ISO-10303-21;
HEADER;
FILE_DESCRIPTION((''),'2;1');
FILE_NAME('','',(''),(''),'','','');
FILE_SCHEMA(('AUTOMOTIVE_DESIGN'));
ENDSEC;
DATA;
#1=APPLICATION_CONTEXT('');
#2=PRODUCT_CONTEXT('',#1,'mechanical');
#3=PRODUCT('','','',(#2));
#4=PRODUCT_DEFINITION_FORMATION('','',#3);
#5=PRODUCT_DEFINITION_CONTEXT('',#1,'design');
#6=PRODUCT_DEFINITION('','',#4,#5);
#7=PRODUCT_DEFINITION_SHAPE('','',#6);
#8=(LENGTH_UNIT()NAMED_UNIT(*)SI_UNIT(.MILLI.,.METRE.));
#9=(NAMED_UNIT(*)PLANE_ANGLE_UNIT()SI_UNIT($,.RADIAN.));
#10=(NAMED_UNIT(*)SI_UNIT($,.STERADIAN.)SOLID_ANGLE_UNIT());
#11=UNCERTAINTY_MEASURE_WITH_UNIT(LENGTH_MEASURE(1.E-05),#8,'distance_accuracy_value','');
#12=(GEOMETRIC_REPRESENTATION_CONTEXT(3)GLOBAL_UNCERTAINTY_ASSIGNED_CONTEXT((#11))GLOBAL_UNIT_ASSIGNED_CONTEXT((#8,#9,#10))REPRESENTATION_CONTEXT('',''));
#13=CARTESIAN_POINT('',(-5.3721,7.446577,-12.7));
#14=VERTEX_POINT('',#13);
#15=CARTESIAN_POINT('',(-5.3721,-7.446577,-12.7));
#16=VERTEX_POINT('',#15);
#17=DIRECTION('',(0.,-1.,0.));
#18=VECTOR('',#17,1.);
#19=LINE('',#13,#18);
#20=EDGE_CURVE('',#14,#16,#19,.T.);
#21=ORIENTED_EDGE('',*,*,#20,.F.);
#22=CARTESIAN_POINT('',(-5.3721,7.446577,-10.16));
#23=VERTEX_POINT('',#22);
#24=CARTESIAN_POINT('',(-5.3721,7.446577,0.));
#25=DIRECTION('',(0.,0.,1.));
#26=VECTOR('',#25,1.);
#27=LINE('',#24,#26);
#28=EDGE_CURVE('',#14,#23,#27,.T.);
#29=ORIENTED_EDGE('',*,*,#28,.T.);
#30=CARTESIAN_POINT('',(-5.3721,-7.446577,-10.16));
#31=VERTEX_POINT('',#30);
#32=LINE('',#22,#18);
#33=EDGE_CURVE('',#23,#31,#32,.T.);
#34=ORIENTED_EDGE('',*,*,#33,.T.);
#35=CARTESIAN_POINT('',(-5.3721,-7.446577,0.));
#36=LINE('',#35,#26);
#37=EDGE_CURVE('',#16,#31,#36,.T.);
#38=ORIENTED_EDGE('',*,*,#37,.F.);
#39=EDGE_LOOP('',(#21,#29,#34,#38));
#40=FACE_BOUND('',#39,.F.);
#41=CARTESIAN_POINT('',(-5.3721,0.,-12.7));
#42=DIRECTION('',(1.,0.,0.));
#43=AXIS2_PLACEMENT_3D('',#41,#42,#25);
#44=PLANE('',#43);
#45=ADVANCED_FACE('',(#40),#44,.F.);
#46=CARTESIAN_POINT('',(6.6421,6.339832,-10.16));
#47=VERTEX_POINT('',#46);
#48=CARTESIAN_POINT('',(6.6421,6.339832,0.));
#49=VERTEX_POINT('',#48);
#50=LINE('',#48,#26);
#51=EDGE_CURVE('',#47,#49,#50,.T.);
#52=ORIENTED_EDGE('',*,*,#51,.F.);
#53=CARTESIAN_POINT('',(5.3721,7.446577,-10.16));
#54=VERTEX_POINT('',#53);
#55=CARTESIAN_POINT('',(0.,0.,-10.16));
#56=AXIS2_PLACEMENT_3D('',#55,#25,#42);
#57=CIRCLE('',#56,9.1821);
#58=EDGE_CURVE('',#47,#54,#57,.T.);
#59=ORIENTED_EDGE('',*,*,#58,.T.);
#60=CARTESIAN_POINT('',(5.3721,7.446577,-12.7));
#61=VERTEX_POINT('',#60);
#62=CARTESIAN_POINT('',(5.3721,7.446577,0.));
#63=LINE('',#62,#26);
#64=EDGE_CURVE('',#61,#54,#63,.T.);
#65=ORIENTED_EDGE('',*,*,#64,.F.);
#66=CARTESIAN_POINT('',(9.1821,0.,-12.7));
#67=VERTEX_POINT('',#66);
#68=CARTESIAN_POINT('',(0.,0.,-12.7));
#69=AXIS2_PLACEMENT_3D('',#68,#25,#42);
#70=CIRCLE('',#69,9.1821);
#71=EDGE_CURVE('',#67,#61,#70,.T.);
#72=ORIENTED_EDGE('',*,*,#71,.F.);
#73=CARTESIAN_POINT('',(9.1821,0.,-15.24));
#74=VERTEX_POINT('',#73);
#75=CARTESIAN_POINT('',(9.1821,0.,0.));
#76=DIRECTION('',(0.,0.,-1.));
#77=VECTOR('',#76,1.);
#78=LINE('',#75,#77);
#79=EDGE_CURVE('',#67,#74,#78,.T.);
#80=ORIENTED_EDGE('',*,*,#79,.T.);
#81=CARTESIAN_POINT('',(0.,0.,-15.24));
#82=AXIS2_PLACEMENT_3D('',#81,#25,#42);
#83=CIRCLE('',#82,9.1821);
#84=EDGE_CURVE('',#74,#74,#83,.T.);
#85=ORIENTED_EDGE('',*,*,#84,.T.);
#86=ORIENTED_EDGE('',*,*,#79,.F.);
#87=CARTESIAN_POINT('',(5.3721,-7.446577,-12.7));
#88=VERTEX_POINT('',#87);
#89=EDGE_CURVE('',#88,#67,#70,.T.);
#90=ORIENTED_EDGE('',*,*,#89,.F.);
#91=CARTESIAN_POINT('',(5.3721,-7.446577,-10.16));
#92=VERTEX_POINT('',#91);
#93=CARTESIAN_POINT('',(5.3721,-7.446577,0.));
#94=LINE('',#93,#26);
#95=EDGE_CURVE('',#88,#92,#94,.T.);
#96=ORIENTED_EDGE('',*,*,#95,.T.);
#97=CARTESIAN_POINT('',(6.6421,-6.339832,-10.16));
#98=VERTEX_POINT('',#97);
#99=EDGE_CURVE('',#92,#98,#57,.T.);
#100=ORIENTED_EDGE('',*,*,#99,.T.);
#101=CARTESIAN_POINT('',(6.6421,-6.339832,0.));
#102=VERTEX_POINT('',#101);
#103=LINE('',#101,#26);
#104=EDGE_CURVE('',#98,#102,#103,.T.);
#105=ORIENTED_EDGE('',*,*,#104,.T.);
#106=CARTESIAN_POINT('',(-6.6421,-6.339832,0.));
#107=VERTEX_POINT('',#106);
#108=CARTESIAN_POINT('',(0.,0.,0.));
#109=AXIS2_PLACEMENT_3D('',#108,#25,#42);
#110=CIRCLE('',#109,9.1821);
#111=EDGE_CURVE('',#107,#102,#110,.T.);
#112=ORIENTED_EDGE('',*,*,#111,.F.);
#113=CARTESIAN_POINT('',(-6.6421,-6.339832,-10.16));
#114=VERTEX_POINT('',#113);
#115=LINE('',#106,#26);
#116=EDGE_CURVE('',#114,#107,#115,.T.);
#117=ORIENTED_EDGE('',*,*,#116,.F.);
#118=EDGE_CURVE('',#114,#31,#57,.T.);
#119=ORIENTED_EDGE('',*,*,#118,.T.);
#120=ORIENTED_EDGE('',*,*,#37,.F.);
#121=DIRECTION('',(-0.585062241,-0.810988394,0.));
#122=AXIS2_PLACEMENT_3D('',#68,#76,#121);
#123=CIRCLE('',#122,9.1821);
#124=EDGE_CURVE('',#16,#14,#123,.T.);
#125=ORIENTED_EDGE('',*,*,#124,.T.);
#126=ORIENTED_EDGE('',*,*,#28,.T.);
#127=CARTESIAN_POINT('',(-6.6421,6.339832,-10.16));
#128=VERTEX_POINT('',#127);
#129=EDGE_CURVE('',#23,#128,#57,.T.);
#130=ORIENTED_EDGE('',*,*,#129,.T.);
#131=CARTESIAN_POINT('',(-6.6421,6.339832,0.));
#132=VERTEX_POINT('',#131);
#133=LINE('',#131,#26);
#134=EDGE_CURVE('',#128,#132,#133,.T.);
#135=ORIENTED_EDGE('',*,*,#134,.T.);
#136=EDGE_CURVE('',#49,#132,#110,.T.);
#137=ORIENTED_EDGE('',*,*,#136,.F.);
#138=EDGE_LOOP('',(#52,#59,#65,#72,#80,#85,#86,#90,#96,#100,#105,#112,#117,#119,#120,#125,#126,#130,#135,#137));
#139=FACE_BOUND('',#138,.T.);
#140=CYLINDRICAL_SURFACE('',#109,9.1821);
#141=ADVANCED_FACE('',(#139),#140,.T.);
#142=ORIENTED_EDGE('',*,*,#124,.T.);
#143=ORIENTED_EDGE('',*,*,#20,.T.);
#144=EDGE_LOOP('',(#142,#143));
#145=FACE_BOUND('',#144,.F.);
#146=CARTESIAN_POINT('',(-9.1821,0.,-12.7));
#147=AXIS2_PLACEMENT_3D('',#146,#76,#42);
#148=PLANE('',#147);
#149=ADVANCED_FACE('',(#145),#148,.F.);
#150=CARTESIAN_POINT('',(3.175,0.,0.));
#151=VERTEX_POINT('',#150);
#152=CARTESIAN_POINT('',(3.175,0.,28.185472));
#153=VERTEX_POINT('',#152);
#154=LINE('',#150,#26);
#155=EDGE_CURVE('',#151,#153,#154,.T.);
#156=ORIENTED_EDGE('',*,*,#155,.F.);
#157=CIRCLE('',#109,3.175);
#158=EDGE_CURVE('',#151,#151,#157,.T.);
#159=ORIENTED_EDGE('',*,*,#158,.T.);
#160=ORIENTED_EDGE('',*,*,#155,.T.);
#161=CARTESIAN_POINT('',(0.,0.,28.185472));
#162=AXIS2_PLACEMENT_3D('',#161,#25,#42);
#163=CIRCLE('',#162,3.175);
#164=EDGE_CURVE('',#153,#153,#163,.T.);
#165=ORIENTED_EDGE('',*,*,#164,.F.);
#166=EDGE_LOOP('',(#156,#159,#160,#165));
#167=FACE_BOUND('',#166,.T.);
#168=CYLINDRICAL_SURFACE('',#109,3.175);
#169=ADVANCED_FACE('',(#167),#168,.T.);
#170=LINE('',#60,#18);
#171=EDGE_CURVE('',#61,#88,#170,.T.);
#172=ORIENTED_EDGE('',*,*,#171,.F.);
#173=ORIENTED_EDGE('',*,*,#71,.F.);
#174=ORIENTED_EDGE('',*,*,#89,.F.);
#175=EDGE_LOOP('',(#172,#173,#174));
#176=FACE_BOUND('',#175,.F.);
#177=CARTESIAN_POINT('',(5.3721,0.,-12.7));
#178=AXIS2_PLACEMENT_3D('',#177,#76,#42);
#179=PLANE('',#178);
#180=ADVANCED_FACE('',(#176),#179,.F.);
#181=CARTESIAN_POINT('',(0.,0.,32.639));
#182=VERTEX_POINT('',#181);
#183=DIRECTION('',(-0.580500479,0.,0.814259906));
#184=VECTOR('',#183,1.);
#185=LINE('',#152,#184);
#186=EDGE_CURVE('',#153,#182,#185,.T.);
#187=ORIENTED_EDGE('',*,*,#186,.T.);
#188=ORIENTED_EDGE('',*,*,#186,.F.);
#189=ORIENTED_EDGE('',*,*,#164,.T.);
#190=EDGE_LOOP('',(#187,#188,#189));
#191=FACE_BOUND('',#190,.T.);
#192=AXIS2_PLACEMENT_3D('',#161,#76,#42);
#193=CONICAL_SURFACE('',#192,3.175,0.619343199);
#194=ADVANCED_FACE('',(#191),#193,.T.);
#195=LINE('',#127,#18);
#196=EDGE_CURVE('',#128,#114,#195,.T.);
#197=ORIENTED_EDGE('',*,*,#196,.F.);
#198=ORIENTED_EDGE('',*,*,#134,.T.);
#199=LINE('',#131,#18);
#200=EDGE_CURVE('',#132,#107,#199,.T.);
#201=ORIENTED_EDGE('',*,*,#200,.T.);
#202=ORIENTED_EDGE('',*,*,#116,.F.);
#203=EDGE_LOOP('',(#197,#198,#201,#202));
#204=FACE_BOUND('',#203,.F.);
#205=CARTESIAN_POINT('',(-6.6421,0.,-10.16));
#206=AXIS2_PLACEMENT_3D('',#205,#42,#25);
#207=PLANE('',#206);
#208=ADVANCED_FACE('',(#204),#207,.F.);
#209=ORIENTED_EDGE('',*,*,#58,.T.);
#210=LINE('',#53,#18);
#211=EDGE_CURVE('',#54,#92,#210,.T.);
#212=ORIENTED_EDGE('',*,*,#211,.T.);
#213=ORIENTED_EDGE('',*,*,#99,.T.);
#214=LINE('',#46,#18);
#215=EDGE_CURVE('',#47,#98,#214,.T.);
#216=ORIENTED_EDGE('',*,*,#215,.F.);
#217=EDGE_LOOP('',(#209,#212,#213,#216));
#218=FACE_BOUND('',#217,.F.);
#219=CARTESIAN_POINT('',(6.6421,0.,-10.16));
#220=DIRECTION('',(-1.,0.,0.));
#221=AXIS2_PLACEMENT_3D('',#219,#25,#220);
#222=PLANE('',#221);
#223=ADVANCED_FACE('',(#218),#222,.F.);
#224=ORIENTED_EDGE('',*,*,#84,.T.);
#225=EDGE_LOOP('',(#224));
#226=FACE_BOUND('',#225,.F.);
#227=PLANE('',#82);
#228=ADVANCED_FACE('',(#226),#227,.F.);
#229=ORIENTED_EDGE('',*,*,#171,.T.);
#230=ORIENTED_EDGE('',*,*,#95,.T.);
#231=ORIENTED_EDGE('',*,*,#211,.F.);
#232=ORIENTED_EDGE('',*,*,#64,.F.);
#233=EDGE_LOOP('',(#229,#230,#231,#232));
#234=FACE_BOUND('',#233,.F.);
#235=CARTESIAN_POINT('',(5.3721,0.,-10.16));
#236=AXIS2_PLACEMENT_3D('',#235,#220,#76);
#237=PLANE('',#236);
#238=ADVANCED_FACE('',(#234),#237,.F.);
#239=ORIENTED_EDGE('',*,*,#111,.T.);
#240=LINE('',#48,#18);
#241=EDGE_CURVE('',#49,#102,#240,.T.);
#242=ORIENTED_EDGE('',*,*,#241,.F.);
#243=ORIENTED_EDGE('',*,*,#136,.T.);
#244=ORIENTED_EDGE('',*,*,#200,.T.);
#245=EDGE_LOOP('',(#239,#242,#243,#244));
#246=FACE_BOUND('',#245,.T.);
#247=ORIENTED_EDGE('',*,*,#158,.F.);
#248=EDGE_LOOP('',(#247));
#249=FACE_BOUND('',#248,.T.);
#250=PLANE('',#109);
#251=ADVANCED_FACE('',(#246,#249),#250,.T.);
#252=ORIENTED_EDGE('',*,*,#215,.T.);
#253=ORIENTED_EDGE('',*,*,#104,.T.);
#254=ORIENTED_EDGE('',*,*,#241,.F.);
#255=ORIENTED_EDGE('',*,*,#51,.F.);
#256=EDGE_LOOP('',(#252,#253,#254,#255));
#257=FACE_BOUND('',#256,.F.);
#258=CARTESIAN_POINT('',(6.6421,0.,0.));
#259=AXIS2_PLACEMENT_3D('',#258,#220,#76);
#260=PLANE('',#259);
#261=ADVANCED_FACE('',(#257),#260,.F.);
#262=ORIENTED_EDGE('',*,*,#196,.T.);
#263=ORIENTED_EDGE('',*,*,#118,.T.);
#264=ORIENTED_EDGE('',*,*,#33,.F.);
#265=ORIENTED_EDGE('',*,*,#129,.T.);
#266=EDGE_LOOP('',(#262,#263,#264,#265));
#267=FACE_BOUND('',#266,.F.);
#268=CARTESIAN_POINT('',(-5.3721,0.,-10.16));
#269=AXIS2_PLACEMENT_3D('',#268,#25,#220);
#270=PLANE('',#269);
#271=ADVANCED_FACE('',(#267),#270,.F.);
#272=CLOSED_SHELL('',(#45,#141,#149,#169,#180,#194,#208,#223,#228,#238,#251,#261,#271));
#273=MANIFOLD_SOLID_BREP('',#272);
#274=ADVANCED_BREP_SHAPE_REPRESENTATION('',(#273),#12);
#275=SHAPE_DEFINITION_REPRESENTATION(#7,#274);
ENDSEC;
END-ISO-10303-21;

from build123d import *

# Parameters (mm, degrees)
F0_R          = 9.1821
F1_DEPTH      = 15.24
F3_DEPTH      = 9.1831
F3_DEPTH_BACK = 9.1831


with BuildPart() as f1:
    # F0 (on Top) → F1 (new body)
    with BuildSketch(Plane.XY):
        Circle(F0_R)
    extrude(amount=-F1_DEPTH)

    # F2 (on Front) → F3 (cut, two sides)
    with BuildSketch(Plane.XZ) as f3_sk:
        Polygon((-9.1821, 0), (-9.1821, -12.7), (-6.6421, -12.7), (-5.3721, -12.7), (-5.3721, -10.16), (-6.6421, -10.16), (-6.6421, 0), align=None)
        Polygon((9.1821, -12.7), (9.1821, 0), (6.6421, 0), (6.6421, -10.16), (5.3721, -10.16), (5.3721, -12.7), (6.6421, -12.7), align=None)
    extrude(amount=-F3_DEPTH, mode=Mode.SUBTRACT)
    extrude(f3_sk.sketch, amount=F3_DEPTH_BACK, mode=Mode.SUBTRACT)

    # F4 (on Front) → F5 (revolve)
    with BuildSketch(Plane.XZ):
        Polygon((0, 32.639), (0, 0), (3.175, 0), (3.175, 28.1854718924), align=None)
    revolve(axis=Axis((0, 0, 15.3003977612), (0, 0, 1)))


solid = f1.part
